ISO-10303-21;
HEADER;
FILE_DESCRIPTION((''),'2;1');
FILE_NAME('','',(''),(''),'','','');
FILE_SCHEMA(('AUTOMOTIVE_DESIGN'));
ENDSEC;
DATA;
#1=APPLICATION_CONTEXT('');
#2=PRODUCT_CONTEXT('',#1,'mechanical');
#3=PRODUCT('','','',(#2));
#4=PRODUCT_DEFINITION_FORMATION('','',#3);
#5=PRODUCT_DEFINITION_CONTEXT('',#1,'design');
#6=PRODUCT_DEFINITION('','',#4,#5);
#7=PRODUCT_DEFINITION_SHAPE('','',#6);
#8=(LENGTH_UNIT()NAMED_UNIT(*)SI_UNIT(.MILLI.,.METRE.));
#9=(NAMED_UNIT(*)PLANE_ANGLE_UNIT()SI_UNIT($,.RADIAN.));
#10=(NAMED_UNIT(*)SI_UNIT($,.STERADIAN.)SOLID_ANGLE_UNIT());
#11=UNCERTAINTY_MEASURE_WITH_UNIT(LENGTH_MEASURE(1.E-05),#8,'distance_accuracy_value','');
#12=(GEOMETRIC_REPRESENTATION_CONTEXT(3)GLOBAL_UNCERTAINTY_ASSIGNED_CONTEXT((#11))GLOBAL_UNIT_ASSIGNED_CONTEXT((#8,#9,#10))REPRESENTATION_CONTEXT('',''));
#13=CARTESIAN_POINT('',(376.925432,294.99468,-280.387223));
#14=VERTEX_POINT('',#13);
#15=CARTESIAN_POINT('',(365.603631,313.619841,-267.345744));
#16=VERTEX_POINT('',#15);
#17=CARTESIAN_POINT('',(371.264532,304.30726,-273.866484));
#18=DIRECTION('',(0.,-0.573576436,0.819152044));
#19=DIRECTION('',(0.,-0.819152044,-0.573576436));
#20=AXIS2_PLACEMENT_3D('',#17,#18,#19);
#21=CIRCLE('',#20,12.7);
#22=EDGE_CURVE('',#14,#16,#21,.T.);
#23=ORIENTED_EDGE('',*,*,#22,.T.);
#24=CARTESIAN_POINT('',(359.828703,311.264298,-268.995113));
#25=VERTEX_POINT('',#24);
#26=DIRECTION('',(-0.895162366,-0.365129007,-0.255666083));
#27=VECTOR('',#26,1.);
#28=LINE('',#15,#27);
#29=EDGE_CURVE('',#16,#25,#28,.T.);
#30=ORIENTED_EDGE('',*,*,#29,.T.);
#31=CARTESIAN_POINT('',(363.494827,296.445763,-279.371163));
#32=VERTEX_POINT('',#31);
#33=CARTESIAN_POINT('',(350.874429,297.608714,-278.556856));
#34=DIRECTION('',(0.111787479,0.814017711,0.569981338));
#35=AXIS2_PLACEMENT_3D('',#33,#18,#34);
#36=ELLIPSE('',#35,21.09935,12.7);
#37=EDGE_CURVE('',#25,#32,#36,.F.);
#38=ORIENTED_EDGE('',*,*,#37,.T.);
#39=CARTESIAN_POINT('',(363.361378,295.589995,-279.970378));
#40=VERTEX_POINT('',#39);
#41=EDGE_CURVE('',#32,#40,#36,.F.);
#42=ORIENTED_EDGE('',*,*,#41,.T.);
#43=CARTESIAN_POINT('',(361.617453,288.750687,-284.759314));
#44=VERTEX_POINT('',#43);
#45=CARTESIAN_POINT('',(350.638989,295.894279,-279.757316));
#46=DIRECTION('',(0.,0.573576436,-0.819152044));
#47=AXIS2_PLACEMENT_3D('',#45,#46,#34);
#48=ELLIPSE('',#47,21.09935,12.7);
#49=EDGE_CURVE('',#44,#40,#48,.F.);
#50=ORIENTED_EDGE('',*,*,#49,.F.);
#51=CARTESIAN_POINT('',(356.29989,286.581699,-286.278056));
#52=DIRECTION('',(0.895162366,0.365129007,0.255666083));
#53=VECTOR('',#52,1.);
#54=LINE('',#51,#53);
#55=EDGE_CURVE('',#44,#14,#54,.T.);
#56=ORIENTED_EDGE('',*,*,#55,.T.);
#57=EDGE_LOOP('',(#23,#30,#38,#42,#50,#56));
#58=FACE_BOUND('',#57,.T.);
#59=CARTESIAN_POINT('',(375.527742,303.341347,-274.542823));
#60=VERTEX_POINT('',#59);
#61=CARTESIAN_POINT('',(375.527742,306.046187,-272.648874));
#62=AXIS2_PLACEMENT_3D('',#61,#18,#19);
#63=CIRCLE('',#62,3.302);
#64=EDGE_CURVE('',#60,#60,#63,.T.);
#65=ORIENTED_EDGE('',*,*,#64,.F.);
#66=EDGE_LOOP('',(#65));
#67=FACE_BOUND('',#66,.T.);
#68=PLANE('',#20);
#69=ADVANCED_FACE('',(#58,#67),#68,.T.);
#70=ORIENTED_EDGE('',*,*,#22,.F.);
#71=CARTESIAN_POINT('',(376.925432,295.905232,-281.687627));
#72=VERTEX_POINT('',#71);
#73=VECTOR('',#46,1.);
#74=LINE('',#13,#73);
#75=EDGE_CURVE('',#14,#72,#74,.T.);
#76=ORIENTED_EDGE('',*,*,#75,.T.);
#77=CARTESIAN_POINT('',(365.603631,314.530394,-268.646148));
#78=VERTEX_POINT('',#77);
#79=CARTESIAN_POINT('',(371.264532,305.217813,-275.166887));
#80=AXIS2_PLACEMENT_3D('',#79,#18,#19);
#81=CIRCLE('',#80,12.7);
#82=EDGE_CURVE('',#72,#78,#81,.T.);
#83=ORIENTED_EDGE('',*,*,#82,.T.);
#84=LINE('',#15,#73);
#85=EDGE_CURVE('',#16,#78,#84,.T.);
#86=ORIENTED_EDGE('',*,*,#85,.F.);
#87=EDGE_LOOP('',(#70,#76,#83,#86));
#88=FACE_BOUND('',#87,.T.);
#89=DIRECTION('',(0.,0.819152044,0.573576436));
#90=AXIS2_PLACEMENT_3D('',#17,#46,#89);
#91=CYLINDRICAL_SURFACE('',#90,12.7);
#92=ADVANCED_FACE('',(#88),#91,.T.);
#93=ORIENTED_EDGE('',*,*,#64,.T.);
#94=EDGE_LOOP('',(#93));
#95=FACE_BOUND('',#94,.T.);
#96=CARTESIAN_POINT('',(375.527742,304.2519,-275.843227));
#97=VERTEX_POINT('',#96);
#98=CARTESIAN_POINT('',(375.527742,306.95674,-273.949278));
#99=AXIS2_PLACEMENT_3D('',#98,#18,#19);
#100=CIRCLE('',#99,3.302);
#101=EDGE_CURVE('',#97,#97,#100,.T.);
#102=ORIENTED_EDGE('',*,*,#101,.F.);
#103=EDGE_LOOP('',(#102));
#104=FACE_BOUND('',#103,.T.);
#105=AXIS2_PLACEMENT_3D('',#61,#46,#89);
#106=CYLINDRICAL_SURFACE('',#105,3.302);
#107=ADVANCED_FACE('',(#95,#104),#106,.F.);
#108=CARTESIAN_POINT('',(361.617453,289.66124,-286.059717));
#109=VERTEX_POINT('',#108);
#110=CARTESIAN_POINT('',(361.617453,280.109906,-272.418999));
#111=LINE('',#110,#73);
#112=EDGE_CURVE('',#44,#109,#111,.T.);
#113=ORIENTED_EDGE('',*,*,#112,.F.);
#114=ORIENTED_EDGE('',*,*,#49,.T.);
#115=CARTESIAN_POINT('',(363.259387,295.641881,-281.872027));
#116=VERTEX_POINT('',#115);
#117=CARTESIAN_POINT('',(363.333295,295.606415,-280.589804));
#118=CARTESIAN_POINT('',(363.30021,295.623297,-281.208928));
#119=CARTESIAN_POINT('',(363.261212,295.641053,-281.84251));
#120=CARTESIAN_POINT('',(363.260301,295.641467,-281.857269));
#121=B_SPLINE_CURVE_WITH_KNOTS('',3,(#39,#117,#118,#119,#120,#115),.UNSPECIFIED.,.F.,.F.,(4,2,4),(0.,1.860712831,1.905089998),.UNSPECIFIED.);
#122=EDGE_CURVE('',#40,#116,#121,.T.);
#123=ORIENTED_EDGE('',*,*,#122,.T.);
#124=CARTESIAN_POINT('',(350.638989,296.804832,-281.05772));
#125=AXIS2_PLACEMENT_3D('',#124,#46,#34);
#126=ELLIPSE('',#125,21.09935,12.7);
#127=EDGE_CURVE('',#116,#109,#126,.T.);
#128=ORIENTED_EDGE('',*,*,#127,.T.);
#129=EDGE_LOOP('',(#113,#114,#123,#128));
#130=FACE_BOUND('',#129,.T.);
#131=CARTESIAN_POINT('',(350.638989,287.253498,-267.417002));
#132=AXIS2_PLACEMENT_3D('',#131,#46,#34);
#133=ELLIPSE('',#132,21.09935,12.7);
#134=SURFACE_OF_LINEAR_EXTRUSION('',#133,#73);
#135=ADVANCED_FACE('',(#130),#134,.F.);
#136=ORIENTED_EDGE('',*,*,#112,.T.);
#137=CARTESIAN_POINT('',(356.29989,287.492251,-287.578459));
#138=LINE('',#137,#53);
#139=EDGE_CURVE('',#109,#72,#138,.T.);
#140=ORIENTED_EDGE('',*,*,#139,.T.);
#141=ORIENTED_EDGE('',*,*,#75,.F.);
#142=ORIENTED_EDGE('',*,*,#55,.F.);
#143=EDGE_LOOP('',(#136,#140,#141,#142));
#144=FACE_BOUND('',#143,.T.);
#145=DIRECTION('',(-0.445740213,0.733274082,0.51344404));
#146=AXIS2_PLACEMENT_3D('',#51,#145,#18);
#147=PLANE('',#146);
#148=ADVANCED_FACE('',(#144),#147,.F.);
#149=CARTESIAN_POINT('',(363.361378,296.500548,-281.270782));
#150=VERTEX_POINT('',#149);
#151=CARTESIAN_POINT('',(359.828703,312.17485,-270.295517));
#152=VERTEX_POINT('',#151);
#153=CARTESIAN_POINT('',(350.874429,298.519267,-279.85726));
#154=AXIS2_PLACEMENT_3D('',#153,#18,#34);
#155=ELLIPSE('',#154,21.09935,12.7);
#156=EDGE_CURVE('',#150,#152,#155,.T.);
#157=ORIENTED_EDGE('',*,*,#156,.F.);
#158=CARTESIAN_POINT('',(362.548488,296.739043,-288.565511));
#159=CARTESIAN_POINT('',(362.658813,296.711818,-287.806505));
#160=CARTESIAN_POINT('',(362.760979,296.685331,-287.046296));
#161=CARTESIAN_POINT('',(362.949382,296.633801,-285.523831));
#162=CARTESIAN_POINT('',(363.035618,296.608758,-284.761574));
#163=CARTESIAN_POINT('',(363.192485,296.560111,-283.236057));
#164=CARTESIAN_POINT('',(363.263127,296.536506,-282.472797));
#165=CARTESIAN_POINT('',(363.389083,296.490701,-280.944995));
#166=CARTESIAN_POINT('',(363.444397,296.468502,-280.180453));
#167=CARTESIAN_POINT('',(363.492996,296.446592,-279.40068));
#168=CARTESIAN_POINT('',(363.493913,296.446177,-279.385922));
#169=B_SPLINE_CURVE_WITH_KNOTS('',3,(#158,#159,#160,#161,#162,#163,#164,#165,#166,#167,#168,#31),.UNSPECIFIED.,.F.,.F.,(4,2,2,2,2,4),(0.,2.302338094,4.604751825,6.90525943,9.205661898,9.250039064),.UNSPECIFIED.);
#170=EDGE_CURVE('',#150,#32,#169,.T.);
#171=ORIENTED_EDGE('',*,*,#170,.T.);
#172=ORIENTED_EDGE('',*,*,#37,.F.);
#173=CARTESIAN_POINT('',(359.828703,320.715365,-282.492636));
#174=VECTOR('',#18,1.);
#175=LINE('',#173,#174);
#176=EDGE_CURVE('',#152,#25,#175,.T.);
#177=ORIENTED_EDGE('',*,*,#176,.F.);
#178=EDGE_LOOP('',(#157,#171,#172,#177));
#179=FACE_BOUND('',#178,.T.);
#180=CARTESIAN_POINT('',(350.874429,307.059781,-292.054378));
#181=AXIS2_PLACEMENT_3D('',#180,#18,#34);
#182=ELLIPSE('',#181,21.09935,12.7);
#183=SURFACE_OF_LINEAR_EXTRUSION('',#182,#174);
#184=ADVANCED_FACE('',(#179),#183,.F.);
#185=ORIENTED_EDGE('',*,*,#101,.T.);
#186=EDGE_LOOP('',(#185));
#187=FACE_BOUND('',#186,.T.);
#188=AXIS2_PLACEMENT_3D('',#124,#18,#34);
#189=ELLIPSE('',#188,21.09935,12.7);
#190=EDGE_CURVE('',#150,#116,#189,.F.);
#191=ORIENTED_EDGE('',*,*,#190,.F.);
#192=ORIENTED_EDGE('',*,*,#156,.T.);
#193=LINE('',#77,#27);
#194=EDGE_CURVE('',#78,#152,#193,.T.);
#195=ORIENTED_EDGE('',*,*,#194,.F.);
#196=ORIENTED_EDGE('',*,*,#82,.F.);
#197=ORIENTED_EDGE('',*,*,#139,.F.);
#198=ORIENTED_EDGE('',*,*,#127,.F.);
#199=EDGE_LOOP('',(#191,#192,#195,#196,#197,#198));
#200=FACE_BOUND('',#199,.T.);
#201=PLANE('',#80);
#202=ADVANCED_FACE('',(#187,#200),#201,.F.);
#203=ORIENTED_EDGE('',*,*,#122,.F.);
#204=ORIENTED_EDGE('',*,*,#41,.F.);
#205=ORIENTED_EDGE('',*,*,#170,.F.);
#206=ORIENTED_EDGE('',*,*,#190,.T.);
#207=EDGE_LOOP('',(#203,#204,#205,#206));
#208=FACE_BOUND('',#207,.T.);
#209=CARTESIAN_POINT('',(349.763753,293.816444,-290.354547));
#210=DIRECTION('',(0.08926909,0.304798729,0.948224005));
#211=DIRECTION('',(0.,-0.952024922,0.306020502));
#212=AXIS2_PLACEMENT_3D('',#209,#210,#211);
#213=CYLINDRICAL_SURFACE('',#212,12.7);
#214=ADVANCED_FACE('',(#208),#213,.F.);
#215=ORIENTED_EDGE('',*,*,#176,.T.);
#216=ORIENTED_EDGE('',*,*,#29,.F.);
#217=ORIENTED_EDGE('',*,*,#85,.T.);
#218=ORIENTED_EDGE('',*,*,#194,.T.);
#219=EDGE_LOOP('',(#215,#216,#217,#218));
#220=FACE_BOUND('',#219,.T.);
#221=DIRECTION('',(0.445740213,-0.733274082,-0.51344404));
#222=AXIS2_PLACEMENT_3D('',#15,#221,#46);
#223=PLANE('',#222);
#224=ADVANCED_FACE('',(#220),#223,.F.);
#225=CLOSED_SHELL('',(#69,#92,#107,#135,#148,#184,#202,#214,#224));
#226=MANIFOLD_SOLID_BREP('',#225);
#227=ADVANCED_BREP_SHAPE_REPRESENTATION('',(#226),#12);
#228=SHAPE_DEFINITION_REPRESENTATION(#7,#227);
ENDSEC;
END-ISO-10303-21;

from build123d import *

# Parameters (mm, degrees)
SKETCH1_R           = 3.3020000000000405
BOSS_EXTRUDE1_DEPTH = 1.5875
SKETCH2_R           = 12.7
CUT_EXTRUDE1_DEPTH  = 164.69798740092241
CUT_EXTRUDE2_DEPTH  = 399.2312021708926
CUT_EXTRUDE3_DEPTH  = 399.2322845032196


with BuildPart() as part:
    # Sketch1 → Boss-Extrude1 (new body)
    with BuildSketch(Plane(origin=(-4.904e-14, 229.6997332170858, -328.0452161431734), x_dir=(1, 7e-17, -1e-16), z_dir=(0, -0.5735764363510497, 0.8191520442889892))):
        with BuildLine():
            Line((356.2998896252525, 70.55163741306428), (376.9254322382814, 80.82199071424783))
            ThreePointArc((376.9254322382814, 80.82199071424783), (382.63309358192566, 97.85145347695013), (365.6036308192234, 103.55911482059432))
            Line((365.6036308192234, 103.55911482059432), (344.97808820619434, 93.28876151941097))
            Line((344.97808820619434, 93.28876151941097), (356.2998896252525, 70.55163741306428))
        make_face()
        with Locations(Location((375.5277422986924, 94.3133905334945, 0), (0, 0, 270))):
            Circle(SKETCH1_R, mode=Mode.SUBTRACT)
    extrude(amount=BOSS_EXTRUDE1_DEPTH)

    # Sketch2 → Cut-Extrude1 (cut, through all)
    with BuildSketch(Plane(origin=(364.35174229869244, 343.62540364794484, -135.39966553044988), x_dir=(-0.9960075449626111, 0.027318171664055604, 0.08498639817338811), z_dir=(-0.0892690897094424, -0.3047987291070713, -0.9482240053685426))):
        Circle(SKETCH2_R)
    extrude(amount=CUT_EXTRUDE1_DEPTH, mode=Mode.SUBTRACT)

    # Sketch3 → Cut-Extrude2 (cut, through all)
    with BuildSketch(Plane(origin=(-4.885e-14, 228.78918062437845, -326.7448122728647), x_dir=(1, 7e-17, -1e-16), z_dir=(0, -0.5735764363510497, 0.8191520442889892))):
        with BuildLine():
            Line((359.8287026568516, 100.68352732070262), (358.4382239247449, 99.99114758047237))
            Line((358.4382239247449, 99.99114758047237), (360.8702636019665, 72.82742507790554))
            add(Edge.make_bspline(
                [(360.8702636019665, 72.82742507790554), (368.2083080665997, 89.03003410456597), (359.8287026568516, 100.68352732070262)],
                knots=[4.218717035603661, 4.218717035603661, 4.218717035603661, 5.696136664554478, 5.696136664554478, 5.696136664554478], degree=2, weights=[1, 0.7393379003717987, 1]))
        make_face()
    extrude(amount=-CUT_EXTRUDE2_DEPTH, mode=Mode.SUBTRACT)

    # Sketch4 → Cut-Extrude3 (cut, through all)
    with BuildSketch(Plane(origin=(-4.904e-14, 229.6997332170858, -328.0452161431734), x_dir=(-1, -7e-17, 1e-16), z_dir=(0, 0.5735764363510497, -0.8191520442889892))):
        with BuildLine():
            Line((-361.6174533376439, 73.19948329292563), (-360.8702636019665, 72.82742507790549))
            Line((-360.8702636019665, 72.82742507790549), (-363.361378453228, 81.54873685940132))
            add(Edge.make_bspline(
                [(-363.361378453228, 81.54873685940132), (-363.00233152155374, 77.177344146135), (-361.6174533376439, 73.19948329292563)],
                knots=[1.5208655376076283, 1.5208655376076283, 1.5208655376076283, 1.9311023959162479, 1.9311023959162479, 1.9311023959162479], degree=2, weights=[1, 0.9790368693670761, 1]))
        make_face()
    extrude(amount=-CUT_EXTRUDE3_DEPTH, mode=Mode.SUBTRACT)


solid = part.part
